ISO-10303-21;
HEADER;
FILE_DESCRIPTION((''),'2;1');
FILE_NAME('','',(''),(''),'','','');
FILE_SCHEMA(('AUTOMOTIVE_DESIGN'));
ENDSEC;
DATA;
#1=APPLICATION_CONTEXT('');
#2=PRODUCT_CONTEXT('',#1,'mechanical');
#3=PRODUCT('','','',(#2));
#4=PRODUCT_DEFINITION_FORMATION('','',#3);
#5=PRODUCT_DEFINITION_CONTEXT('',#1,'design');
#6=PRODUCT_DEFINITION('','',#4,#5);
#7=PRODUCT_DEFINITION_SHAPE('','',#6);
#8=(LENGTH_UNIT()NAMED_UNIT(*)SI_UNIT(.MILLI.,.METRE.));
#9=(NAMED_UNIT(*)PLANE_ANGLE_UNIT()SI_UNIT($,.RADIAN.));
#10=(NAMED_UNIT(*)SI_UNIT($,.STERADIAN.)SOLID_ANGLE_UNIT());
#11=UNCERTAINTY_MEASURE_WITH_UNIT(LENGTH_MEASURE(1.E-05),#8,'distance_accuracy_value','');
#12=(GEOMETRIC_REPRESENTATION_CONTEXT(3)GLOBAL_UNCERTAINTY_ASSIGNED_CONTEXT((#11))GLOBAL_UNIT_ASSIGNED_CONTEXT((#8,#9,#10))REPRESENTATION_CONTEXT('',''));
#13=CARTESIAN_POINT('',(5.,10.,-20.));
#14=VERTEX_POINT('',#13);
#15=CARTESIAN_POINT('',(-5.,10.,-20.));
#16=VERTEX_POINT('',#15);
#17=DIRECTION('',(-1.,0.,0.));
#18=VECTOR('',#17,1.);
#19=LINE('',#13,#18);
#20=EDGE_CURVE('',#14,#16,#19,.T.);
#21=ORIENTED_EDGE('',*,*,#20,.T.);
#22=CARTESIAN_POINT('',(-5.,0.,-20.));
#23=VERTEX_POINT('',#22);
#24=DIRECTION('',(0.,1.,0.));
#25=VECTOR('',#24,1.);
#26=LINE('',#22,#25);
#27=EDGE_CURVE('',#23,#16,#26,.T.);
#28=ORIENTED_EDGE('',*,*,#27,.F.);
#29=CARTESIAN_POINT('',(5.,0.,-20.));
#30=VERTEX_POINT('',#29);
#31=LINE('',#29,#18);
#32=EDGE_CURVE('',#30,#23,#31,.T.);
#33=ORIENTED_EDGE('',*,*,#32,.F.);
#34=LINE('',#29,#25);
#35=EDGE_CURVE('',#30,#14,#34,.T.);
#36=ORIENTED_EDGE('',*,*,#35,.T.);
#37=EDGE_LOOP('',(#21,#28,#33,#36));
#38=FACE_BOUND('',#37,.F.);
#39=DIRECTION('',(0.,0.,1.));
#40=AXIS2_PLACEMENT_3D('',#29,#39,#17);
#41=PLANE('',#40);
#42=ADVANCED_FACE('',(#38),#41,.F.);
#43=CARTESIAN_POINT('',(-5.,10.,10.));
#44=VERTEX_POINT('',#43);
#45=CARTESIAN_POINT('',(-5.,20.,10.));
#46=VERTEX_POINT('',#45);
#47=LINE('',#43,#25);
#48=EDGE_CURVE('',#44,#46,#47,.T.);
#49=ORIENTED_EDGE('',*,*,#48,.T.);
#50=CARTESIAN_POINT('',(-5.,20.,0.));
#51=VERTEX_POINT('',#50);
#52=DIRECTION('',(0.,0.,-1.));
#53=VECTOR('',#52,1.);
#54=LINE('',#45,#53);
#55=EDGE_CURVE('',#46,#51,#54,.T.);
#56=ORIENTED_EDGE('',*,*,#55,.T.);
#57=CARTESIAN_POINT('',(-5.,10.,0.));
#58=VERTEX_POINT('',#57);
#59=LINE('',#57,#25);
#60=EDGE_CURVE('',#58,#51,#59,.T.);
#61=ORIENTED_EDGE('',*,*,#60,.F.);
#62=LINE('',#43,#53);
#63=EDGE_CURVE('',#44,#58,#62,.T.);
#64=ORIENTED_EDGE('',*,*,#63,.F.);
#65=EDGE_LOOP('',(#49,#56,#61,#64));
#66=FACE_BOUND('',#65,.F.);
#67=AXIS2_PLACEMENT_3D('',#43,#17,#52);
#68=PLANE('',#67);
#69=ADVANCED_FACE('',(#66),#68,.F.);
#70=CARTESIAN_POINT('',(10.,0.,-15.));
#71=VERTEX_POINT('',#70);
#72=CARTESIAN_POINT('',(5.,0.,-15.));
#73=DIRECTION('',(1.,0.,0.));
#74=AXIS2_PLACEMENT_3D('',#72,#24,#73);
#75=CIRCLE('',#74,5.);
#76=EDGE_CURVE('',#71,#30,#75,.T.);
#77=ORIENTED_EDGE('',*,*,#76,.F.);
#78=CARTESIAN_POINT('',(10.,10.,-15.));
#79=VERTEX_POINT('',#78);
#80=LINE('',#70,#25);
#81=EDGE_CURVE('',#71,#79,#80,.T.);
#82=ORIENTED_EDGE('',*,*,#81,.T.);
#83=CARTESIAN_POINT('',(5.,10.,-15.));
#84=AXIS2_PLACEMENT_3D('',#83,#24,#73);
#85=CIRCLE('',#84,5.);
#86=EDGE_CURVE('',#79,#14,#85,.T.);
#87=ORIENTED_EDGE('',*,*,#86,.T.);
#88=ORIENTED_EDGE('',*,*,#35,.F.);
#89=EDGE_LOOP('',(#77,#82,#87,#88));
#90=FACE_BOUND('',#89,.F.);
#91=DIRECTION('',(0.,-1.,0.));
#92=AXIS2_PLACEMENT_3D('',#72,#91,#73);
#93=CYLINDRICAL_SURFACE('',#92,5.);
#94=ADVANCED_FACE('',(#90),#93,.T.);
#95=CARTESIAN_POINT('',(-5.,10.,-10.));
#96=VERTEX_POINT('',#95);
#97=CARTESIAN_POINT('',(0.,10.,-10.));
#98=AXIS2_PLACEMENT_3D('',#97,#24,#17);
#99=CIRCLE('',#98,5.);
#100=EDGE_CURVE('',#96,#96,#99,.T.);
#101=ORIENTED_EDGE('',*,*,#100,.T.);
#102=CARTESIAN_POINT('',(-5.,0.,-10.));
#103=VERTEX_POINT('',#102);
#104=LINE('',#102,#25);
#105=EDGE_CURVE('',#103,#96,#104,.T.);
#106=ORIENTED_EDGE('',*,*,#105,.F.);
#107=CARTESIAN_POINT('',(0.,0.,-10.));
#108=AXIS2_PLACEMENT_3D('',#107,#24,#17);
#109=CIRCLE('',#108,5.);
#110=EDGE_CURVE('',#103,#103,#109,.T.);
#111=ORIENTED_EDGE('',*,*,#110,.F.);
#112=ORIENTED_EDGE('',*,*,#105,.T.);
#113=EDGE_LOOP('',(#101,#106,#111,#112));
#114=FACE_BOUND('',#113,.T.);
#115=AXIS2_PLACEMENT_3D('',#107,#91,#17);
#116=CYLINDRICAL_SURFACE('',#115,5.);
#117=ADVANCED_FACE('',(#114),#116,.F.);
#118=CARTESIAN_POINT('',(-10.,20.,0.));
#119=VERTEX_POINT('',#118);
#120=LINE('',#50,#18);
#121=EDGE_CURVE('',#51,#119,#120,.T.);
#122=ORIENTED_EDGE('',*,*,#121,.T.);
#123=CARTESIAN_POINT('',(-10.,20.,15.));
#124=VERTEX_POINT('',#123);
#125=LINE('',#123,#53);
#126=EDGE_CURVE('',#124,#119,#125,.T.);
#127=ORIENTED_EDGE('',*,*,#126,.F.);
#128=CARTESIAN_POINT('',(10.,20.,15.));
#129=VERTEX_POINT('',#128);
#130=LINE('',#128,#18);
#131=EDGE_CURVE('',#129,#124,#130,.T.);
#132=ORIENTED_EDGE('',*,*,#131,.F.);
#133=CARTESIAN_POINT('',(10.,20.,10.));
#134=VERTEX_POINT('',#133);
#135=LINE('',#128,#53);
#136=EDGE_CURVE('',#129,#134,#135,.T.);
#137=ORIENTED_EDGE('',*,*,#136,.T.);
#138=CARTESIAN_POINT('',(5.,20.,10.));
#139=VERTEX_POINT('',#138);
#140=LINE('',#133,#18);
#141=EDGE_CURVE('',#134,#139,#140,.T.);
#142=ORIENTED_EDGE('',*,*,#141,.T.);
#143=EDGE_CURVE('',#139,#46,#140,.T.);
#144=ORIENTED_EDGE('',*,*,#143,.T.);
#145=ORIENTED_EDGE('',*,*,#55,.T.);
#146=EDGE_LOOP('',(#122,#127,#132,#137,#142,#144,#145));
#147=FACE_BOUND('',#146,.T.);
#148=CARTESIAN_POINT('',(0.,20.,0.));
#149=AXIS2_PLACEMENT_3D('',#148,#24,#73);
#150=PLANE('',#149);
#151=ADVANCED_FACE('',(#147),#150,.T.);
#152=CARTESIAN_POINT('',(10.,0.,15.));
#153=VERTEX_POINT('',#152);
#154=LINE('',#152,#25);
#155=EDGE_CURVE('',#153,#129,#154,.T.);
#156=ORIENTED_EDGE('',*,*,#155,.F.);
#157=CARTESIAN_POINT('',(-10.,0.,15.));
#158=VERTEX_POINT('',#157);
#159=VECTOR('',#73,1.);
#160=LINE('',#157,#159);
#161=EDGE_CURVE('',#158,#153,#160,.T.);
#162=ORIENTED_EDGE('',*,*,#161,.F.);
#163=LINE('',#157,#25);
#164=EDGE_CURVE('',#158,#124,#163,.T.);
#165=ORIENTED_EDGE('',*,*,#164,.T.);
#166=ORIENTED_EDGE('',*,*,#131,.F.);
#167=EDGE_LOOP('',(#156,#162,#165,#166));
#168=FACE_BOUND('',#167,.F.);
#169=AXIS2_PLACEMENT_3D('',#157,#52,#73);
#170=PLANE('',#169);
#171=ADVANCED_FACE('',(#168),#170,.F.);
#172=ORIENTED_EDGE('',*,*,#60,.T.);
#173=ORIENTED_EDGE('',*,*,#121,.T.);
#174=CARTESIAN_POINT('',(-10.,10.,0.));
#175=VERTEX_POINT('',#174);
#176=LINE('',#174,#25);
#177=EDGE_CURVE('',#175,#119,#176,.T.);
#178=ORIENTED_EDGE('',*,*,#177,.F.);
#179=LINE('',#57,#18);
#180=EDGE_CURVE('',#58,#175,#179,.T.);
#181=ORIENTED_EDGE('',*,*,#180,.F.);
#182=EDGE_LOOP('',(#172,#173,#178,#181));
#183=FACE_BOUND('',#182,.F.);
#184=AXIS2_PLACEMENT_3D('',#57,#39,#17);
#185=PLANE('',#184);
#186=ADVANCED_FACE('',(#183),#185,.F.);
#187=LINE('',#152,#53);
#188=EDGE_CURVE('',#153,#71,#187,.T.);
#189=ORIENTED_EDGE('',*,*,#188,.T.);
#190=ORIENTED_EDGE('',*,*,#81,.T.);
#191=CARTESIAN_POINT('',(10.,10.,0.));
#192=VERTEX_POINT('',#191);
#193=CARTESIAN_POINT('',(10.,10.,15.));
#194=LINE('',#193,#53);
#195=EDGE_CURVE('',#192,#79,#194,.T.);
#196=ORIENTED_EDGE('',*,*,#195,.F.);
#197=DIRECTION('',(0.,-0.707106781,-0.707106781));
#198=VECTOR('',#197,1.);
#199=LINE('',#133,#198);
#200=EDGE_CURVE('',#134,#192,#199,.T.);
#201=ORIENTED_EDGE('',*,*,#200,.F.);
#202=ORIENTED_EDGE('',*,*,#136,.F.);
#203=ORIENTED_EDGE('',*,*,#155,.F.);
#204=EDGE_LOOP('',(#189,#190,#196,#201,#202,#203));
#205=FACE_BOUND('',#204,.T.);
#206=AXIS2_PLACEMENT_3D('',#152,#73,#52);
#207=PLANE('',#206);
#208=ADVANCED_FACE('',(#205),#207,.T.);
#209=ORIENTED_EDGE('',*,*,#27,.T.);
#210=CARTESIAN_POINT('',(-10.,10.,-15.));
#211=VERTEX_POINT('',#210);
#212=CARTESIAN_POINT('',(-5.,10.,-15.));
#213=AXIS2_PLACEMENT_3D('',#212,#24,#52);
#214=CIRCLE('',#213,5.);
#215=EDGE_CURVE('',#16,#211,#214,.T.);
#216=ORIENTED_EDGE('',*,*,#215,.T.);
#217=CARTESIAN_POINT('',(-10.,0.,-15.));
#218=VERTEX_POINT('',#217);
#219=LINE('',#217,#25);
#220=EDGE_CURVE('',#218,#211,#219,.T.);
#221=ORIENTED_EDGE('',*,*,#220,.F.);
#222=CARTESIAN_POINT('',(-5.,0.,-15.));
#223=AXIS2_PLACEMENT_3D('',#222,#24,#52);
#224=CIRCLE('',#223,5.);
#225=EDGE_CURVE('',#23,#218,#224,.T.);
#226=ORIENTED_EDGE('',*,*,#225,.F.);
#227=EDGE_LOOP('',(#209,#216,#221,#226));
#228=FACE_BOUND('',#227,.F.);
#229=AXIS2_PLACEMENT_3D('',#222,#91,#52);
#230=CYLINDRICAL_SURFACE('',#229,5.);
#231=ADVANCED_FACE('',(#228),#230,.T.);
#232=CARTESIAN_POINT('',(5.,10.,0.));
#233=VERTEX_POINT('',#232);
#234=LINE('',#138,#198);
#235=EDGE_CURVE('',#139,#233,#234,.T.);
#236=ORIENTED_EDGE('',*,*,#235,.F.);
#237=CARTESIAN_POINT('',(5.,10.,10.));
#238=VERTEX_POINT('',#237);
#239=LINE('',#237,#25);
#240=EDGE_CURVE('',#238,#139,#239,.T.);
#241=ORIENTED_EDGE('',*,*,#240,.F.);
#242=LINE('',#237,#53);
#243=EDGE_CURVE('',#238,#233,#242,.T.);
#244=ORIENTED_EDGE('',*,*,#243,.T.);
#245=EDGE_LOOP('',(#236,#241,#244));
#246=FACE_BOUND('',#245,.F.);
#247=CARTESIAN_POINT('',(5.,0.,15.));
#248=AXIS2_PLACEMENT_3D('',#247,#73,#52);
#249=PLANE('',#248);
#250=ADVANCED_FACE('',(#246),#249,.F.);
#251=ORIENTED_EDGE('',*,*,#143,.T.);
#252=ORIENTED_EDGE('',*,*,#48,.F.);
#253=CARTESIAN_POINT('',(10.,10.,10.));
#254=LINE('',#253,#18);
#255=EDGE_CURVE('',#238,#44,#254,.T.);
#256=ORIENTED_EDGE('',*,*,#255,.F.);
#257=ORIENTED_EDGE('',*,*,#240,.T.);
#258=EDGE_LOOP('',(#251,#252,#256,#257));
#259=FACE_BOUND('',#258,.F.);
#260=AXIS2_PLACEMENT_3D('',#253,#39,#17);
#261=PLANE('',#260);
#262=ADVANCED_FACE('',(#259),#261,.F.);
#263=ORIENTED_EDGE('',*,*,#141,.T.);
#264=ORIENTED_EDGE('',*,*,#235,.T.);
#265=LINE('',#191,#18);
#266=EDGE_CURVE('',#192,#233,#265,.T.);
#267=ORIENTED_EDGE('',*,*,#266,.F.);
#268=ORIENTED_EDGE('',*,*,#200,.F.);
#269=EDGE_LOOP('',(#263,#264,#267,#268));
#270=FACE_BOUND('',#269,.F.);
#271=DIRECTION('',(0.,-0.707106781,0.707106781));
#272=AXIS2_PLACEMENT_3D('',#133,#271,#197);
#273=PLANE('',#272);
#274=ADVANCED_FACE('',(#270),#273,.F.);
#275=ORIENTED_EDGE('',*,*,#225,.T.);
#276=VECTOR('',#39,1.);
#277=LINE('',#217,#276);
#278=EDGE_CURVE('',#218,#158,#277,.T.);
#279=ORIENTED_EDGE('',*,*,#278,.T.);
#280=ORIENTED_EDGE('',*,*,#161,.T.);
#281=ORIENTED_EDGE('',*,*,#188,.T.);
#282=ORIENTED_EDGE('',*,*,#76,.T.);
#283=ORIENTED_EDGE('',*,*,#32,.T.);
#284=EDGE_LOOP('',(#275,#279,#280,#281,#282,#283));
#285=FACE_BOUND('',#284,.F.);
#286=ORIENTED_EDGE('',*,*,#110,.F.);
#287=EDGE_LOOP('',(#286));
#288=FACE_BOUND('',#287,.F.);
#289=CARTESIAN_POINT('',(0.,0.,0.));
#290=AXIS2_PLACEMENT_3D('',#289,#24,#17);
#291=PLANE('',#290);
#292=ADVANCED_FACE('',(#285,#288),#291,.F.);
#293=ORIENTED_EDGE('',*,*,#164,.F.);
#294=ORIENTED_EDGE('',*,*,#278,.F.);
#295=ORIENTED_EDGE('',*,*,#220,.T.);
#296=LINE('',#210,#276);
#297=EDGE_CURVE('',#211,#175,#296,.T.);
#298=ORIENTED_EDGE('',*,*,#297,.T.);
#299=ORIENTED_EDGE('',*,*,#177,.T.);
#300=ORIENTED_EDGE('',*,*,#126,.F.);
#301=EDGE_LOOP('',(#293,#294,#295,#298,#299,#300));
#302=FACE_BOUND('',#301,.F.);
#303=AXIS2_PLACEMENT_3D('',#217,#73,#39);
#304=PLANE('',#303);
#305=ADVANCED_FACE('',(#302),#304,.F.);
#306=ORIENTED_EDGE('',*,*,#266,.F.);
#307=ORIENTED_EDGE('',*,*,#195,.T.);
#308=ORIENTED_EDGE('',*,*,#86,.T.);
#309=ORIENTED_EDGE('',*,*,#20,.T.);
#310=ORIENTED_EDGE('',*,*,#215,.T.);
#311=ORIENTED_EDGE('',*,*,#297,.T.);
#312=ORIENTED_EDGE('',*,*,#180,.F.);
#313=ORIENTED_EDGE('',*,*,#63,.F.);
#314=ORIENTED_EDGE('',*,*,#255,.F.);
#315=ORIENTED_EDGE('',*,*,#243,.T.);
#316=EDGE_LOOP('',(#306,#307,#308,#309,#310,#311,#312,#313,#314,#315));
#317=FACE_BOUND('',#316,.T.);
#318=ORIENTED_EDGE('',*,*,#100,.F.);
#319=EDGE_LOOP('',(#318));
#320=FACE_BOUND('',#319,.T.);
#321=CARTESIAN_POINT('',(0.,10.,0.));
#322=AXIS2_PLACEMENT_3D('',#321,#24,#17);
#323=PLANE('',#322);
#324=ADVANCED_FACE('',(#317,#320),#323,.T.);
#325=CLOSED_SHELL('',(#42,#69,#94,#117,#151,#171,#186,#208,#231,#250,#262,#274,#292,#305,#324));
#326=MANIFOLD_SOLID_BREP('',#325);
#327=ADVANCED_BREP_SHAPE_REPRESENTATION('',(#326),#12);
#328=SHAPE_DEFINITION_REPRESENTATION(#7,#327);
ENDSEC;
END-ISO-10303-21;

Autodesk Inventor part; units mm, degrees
ref_plane "YZ Plane" through (0, 0, 0) normal (1, 0, 0) x (0, 1, 0)
ref_plane "XZ Plane" through (0, 0, 0) normal (0, 1, 0) x (-1, 0, 0)
ref_plane "XY Plane" through (0, 0, 0) normal (0, 0, 1) x (1, 0, 0)
sketch "草圖1" plane through (0, 0, 0) normal (0, 1, 0) x (-1, 0, 0)
  line L0 (10, 15) -> (-10, 15)
  line L1 (-10, 15) -> (-10, -15)
  line L2 (-5, -20) -> (5, -20)
  line L3 (10, -15) -> (10, 15)
  arc A0 (5, -20) -> (10, -15) centre (5, -15) ccw
  arc A1 (-10, -15) -> (-5, -20) centre (-5, -15) ccw
  circle A2 centre (0, -10) radius 5
  point P0 (0, 0)
  point P1 (10, -20)
  point P2 (0, -20)
  point P3 (10, 0)
  dimension "d0" = 35
  dimension "d1" = 20
  dimension "d2" = 5
  dimension "d3" = 10
  dimension "d4" = 10
extrude "擠出1" add sketch "草圖1" along normal blind 10
sketch "草圖2" plane through (0, 10, 0) normal (0, 1, 0) x (1, 0, 0)
  circle A0 centre (0, 10) radius 5 construction
  line L0 (-10, -15) -> (10, -15) construction
  line L1 (10, -15) -> (10, 15) construction
  arc A1 (10, 15) -> (5, 20) centre (5, 15) ccw construction
  line L2 (5, 20) -> (-5, 20) construction
  arc A2 (-5, 20) -> (-10, 15) centre (-5, 15) ccw construction
  line L3 (-10, 15) -> (-10, -15) construction
  line L4 (10, -15) -> (10, 15) projected
  line L5 (-10, -15) -> (10, -15)
  line L6 (10, -15) -> (10, -10)
  line L7 (10, -10) -> (-5, -10)
  line L8 (-10, -10.0359) -> (-10, -15)
  line L9 (-10, -15) -> (10, -15) projected
  line L10 (-10, -15) -> (-6.3427, -15)
  line L11 (-5, -10) -> (-5, 0)
  line L12 (-5, 0) -> (-10, 0)
  line L13 (-10, 0) -> (-10, -15)
  point P0 (0, 0)
  dimension "d7" = 5
  dimension "d8" = 5
  dimension "d9" = 15
extrude "擠出2" add sketch "草圖2" along normal blind 10
sketch "草圖3" plane through (10, 0, 15) normal (1, 0, 0) x (0, 0, -1)
  line L0 (15, 10) -> (5, 10) construction
  line L1 (15, 10) -> (15, 20) construction
  line L2 (5, 20) -> (15, 20) construction
  line L3 (5, 10) -> (5, 20) construction
  line L4 (5, 10) -> (5, 20) projected
  line L5 (30, 10) -> (15, 10) projected
  line L6 (5, 20) -> (15, 10)
  line L7 (5, 10) -> (30, 10) projected
  line L8 (15, 10) -> (5, 10)
  line L9 (5, 10) -> (5, 20)
  point P0 (15, 0)
extrude "擠出3" add sketch "草圖3" against normal blind 5
properties part number "2"
